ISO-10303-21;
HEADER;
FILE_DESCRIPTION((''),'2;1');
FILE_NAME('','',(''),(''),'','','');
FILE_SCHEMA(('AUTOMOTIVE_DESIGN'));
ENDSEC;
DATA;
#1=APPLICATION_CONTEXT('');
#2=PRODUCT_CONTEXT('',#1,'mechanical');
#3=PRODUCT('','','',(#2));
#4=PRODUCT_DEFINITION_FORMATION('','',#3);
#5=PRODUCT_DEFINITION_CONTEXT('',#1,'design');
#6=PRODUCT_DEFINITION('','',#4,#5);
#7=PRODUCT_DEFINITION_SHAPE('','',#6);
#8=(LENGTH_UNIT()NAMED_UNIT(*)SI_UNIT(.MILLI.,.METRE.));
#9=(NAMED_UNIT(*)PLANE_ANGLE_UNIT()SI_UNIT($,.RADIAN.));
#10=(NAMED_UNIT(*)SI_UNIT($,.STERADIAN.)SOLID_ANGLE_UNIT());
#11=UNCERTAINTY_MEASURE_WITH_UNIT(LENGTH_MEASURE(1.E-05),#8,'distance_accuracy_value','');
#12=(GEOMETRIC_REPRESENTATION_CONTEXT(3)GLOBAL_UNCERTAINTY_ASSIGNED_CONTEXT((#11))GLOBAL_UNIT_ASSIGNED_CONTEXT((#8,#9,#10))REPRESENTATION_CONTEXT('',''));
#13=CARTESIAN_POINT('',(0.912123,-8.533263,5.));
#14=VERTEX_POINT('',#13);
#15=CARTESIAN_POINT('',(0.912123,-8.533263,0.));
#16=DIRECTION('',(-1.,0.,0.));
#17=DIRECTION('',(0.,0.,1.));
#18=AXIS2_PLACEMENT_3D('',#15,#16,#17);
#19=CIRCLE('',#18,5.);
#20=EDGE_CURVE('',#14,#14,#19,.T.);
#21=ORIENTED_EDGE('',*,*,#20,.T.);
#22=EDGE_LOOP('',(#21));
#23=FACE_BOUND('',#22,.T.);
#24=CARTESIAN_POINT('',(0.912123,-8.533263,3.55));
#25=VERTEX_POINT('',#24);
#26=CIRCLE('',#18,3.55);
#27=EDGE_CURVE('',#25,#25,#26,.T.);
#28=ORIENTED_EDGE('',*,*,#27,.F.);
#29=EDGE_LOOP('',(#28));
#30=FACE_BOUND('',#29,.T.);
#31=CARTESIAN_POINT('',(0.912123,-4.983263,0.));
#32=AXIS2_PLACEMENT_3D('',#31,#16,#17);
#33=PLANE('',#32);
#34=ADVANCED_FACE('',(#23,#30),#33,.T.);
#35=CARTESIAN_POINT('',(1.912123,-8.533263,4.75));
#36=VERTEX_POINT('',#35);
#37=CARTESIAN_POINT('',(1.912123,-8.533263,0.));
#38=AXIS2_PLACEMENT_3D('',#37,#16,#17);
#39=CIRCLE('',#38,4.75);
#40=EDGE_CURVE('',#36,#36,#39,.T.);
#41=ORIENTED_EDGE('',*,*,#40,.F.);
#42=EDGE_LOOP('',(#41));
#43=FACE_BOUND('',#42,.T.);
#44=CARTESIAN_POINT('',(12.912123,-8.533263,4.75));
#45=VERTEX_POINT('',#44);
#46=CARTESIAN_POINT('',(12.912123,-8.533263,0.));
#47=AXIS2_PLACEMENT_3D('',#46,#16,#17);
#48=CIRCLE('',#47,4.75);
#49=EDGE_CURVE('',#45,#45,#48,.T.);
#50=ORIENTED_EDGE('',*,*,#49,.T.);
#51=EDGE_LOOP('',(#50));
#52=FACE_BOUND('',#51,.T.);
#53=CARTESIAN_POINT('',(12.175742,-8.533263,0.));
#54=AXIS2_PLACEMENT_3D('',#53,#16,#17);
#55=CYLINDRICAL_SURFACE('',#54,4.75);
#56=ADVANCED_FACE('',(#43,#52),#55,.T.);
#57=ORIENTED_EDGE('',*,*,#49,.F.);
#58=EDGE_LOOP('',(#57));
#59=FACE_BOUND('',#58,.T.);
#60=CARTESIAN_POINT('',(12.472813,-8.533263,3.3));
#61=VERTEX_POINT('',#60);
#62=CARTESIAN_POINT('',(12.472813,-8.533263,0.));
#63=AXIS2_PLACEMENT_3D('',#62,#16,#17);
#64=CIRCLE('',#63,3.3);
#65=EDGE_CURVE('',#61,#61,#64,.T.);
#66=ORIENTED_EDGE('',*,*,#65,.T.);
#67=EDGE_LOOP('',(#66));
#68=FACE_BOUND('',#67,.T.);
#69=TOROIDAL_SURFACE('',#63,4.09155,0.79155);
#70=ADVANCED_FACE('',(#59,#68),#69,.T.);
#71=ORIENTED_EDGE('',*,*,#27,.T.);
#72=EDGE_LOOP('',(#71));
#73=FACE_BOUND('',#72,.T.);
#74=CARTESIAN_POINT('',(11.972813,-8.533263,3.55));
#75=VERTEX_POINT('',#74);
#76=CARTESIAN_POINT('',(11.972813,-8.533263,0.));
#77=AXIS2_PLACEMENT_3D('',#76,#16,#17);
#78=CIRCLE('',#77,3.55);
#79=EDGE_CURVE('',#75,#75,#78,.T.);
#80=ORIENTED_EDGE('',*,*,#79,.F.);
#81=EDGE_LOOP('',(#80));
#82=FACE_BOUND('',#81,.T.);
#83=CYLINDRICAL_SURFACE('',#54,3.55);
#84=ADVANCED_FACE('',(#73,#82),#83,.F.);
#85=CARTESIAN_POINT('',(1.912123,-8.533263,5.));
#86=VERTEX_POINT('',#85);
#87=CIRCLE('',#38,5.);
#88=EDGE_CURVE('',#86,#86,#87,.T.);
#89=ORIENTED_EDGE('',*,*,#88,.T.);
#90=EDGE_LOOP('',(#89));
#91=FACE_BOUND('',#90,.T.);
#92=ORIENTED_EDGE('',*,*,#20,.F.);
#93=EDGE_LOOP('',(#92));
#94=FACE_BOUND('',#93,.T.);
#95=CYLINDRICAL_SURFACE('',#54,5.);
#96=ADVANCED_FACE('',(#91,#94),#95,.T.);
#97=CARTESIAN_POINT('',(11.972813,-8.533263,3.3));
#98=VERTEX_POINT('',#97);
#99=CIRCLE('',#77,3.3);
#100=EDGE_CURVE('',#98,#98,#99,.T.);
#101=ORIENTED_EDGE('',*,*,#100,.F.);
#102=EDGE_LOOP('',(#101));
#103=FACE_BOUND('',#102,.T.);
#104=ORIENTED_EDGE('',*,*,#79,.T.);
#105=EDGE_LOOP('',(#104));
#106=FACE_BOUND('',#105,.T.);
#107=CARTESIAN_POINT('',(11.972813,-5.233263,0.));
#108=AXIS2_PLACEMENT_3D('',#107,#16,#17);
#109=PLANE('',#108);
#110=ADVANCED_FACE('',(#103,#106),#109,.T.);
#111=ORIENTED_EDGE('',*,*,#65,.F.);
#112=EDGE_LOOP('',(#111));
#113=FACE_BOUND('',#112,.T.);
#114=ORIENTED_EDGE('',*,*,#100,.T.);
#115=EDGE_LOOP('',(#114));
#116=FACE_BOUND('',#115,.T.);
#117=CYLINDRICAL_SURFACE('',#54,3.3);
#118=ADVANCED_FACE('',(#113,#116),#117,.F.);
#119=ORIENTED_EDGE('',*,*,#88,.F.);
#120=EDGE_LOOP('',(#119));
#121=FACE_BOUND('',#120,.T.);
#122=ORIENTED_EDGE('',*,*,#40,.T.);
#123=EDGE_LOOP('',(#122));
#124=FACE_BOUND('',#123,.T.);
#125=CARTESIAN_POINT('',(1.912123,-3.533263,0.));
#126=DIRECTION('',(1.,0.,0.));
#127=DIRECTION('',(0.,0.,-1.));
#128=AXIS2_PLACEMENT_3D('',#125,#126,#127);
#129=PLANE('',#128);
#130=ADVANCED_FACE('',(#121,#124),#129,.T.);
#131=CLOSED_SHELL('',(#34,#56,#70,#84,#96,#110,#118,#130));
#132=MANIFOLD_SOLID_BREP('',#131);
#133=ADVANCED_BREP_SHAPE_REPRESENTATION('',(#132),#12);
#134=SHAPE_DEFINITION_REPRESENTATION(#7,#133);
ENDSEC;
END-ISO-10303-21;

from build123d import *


with BuildPart() as part:
    # Sketch1 → Revolve1 (revolve)
    with BuildSketch(Plane(origin=(0, 0, 0), x_dir=(-1, 0, 0), z_dir=(0, 0, -1)), mode=Mode.PRIVATE) as revolve1_sk:
        with BuildLine():
            Line((-11.972812665, -5.233263235), (-11.972812665, -4.983263235))
            Line((-11.972812665, -4.983263235), (-0.912123334, -4.983263235))
            Line((-0.912123334, -4.983263235), (-0.912123334, -3.533263235))
            Line((-0.912123334, -3.533263235), (-1.912123334, -3.533263235))
            Line((-1.912123334, -3.533263235), (-1.912123334, -3.783263235))
            Line((-1.912123334, -3.783263235), (-12.912123334, -3.783263235))
            ThreePointArc((-12.912123334, -3.783263235), (-13.230357031, -4.671229021), (-12.472812665, -5.233263235))
            Line((-12.472812665, -5.233263235), (-11.972812665, -5.233263235))
        make_face()
    revolve(revolve1_sk.sketch.rotate(Axis((12.175741694, -8.533263235, 0), (-1, 0, 0)), 270), axis=Axis((12.175741694, -8.533263235, 0), (-1, 0, 0)))


solid = part.part
